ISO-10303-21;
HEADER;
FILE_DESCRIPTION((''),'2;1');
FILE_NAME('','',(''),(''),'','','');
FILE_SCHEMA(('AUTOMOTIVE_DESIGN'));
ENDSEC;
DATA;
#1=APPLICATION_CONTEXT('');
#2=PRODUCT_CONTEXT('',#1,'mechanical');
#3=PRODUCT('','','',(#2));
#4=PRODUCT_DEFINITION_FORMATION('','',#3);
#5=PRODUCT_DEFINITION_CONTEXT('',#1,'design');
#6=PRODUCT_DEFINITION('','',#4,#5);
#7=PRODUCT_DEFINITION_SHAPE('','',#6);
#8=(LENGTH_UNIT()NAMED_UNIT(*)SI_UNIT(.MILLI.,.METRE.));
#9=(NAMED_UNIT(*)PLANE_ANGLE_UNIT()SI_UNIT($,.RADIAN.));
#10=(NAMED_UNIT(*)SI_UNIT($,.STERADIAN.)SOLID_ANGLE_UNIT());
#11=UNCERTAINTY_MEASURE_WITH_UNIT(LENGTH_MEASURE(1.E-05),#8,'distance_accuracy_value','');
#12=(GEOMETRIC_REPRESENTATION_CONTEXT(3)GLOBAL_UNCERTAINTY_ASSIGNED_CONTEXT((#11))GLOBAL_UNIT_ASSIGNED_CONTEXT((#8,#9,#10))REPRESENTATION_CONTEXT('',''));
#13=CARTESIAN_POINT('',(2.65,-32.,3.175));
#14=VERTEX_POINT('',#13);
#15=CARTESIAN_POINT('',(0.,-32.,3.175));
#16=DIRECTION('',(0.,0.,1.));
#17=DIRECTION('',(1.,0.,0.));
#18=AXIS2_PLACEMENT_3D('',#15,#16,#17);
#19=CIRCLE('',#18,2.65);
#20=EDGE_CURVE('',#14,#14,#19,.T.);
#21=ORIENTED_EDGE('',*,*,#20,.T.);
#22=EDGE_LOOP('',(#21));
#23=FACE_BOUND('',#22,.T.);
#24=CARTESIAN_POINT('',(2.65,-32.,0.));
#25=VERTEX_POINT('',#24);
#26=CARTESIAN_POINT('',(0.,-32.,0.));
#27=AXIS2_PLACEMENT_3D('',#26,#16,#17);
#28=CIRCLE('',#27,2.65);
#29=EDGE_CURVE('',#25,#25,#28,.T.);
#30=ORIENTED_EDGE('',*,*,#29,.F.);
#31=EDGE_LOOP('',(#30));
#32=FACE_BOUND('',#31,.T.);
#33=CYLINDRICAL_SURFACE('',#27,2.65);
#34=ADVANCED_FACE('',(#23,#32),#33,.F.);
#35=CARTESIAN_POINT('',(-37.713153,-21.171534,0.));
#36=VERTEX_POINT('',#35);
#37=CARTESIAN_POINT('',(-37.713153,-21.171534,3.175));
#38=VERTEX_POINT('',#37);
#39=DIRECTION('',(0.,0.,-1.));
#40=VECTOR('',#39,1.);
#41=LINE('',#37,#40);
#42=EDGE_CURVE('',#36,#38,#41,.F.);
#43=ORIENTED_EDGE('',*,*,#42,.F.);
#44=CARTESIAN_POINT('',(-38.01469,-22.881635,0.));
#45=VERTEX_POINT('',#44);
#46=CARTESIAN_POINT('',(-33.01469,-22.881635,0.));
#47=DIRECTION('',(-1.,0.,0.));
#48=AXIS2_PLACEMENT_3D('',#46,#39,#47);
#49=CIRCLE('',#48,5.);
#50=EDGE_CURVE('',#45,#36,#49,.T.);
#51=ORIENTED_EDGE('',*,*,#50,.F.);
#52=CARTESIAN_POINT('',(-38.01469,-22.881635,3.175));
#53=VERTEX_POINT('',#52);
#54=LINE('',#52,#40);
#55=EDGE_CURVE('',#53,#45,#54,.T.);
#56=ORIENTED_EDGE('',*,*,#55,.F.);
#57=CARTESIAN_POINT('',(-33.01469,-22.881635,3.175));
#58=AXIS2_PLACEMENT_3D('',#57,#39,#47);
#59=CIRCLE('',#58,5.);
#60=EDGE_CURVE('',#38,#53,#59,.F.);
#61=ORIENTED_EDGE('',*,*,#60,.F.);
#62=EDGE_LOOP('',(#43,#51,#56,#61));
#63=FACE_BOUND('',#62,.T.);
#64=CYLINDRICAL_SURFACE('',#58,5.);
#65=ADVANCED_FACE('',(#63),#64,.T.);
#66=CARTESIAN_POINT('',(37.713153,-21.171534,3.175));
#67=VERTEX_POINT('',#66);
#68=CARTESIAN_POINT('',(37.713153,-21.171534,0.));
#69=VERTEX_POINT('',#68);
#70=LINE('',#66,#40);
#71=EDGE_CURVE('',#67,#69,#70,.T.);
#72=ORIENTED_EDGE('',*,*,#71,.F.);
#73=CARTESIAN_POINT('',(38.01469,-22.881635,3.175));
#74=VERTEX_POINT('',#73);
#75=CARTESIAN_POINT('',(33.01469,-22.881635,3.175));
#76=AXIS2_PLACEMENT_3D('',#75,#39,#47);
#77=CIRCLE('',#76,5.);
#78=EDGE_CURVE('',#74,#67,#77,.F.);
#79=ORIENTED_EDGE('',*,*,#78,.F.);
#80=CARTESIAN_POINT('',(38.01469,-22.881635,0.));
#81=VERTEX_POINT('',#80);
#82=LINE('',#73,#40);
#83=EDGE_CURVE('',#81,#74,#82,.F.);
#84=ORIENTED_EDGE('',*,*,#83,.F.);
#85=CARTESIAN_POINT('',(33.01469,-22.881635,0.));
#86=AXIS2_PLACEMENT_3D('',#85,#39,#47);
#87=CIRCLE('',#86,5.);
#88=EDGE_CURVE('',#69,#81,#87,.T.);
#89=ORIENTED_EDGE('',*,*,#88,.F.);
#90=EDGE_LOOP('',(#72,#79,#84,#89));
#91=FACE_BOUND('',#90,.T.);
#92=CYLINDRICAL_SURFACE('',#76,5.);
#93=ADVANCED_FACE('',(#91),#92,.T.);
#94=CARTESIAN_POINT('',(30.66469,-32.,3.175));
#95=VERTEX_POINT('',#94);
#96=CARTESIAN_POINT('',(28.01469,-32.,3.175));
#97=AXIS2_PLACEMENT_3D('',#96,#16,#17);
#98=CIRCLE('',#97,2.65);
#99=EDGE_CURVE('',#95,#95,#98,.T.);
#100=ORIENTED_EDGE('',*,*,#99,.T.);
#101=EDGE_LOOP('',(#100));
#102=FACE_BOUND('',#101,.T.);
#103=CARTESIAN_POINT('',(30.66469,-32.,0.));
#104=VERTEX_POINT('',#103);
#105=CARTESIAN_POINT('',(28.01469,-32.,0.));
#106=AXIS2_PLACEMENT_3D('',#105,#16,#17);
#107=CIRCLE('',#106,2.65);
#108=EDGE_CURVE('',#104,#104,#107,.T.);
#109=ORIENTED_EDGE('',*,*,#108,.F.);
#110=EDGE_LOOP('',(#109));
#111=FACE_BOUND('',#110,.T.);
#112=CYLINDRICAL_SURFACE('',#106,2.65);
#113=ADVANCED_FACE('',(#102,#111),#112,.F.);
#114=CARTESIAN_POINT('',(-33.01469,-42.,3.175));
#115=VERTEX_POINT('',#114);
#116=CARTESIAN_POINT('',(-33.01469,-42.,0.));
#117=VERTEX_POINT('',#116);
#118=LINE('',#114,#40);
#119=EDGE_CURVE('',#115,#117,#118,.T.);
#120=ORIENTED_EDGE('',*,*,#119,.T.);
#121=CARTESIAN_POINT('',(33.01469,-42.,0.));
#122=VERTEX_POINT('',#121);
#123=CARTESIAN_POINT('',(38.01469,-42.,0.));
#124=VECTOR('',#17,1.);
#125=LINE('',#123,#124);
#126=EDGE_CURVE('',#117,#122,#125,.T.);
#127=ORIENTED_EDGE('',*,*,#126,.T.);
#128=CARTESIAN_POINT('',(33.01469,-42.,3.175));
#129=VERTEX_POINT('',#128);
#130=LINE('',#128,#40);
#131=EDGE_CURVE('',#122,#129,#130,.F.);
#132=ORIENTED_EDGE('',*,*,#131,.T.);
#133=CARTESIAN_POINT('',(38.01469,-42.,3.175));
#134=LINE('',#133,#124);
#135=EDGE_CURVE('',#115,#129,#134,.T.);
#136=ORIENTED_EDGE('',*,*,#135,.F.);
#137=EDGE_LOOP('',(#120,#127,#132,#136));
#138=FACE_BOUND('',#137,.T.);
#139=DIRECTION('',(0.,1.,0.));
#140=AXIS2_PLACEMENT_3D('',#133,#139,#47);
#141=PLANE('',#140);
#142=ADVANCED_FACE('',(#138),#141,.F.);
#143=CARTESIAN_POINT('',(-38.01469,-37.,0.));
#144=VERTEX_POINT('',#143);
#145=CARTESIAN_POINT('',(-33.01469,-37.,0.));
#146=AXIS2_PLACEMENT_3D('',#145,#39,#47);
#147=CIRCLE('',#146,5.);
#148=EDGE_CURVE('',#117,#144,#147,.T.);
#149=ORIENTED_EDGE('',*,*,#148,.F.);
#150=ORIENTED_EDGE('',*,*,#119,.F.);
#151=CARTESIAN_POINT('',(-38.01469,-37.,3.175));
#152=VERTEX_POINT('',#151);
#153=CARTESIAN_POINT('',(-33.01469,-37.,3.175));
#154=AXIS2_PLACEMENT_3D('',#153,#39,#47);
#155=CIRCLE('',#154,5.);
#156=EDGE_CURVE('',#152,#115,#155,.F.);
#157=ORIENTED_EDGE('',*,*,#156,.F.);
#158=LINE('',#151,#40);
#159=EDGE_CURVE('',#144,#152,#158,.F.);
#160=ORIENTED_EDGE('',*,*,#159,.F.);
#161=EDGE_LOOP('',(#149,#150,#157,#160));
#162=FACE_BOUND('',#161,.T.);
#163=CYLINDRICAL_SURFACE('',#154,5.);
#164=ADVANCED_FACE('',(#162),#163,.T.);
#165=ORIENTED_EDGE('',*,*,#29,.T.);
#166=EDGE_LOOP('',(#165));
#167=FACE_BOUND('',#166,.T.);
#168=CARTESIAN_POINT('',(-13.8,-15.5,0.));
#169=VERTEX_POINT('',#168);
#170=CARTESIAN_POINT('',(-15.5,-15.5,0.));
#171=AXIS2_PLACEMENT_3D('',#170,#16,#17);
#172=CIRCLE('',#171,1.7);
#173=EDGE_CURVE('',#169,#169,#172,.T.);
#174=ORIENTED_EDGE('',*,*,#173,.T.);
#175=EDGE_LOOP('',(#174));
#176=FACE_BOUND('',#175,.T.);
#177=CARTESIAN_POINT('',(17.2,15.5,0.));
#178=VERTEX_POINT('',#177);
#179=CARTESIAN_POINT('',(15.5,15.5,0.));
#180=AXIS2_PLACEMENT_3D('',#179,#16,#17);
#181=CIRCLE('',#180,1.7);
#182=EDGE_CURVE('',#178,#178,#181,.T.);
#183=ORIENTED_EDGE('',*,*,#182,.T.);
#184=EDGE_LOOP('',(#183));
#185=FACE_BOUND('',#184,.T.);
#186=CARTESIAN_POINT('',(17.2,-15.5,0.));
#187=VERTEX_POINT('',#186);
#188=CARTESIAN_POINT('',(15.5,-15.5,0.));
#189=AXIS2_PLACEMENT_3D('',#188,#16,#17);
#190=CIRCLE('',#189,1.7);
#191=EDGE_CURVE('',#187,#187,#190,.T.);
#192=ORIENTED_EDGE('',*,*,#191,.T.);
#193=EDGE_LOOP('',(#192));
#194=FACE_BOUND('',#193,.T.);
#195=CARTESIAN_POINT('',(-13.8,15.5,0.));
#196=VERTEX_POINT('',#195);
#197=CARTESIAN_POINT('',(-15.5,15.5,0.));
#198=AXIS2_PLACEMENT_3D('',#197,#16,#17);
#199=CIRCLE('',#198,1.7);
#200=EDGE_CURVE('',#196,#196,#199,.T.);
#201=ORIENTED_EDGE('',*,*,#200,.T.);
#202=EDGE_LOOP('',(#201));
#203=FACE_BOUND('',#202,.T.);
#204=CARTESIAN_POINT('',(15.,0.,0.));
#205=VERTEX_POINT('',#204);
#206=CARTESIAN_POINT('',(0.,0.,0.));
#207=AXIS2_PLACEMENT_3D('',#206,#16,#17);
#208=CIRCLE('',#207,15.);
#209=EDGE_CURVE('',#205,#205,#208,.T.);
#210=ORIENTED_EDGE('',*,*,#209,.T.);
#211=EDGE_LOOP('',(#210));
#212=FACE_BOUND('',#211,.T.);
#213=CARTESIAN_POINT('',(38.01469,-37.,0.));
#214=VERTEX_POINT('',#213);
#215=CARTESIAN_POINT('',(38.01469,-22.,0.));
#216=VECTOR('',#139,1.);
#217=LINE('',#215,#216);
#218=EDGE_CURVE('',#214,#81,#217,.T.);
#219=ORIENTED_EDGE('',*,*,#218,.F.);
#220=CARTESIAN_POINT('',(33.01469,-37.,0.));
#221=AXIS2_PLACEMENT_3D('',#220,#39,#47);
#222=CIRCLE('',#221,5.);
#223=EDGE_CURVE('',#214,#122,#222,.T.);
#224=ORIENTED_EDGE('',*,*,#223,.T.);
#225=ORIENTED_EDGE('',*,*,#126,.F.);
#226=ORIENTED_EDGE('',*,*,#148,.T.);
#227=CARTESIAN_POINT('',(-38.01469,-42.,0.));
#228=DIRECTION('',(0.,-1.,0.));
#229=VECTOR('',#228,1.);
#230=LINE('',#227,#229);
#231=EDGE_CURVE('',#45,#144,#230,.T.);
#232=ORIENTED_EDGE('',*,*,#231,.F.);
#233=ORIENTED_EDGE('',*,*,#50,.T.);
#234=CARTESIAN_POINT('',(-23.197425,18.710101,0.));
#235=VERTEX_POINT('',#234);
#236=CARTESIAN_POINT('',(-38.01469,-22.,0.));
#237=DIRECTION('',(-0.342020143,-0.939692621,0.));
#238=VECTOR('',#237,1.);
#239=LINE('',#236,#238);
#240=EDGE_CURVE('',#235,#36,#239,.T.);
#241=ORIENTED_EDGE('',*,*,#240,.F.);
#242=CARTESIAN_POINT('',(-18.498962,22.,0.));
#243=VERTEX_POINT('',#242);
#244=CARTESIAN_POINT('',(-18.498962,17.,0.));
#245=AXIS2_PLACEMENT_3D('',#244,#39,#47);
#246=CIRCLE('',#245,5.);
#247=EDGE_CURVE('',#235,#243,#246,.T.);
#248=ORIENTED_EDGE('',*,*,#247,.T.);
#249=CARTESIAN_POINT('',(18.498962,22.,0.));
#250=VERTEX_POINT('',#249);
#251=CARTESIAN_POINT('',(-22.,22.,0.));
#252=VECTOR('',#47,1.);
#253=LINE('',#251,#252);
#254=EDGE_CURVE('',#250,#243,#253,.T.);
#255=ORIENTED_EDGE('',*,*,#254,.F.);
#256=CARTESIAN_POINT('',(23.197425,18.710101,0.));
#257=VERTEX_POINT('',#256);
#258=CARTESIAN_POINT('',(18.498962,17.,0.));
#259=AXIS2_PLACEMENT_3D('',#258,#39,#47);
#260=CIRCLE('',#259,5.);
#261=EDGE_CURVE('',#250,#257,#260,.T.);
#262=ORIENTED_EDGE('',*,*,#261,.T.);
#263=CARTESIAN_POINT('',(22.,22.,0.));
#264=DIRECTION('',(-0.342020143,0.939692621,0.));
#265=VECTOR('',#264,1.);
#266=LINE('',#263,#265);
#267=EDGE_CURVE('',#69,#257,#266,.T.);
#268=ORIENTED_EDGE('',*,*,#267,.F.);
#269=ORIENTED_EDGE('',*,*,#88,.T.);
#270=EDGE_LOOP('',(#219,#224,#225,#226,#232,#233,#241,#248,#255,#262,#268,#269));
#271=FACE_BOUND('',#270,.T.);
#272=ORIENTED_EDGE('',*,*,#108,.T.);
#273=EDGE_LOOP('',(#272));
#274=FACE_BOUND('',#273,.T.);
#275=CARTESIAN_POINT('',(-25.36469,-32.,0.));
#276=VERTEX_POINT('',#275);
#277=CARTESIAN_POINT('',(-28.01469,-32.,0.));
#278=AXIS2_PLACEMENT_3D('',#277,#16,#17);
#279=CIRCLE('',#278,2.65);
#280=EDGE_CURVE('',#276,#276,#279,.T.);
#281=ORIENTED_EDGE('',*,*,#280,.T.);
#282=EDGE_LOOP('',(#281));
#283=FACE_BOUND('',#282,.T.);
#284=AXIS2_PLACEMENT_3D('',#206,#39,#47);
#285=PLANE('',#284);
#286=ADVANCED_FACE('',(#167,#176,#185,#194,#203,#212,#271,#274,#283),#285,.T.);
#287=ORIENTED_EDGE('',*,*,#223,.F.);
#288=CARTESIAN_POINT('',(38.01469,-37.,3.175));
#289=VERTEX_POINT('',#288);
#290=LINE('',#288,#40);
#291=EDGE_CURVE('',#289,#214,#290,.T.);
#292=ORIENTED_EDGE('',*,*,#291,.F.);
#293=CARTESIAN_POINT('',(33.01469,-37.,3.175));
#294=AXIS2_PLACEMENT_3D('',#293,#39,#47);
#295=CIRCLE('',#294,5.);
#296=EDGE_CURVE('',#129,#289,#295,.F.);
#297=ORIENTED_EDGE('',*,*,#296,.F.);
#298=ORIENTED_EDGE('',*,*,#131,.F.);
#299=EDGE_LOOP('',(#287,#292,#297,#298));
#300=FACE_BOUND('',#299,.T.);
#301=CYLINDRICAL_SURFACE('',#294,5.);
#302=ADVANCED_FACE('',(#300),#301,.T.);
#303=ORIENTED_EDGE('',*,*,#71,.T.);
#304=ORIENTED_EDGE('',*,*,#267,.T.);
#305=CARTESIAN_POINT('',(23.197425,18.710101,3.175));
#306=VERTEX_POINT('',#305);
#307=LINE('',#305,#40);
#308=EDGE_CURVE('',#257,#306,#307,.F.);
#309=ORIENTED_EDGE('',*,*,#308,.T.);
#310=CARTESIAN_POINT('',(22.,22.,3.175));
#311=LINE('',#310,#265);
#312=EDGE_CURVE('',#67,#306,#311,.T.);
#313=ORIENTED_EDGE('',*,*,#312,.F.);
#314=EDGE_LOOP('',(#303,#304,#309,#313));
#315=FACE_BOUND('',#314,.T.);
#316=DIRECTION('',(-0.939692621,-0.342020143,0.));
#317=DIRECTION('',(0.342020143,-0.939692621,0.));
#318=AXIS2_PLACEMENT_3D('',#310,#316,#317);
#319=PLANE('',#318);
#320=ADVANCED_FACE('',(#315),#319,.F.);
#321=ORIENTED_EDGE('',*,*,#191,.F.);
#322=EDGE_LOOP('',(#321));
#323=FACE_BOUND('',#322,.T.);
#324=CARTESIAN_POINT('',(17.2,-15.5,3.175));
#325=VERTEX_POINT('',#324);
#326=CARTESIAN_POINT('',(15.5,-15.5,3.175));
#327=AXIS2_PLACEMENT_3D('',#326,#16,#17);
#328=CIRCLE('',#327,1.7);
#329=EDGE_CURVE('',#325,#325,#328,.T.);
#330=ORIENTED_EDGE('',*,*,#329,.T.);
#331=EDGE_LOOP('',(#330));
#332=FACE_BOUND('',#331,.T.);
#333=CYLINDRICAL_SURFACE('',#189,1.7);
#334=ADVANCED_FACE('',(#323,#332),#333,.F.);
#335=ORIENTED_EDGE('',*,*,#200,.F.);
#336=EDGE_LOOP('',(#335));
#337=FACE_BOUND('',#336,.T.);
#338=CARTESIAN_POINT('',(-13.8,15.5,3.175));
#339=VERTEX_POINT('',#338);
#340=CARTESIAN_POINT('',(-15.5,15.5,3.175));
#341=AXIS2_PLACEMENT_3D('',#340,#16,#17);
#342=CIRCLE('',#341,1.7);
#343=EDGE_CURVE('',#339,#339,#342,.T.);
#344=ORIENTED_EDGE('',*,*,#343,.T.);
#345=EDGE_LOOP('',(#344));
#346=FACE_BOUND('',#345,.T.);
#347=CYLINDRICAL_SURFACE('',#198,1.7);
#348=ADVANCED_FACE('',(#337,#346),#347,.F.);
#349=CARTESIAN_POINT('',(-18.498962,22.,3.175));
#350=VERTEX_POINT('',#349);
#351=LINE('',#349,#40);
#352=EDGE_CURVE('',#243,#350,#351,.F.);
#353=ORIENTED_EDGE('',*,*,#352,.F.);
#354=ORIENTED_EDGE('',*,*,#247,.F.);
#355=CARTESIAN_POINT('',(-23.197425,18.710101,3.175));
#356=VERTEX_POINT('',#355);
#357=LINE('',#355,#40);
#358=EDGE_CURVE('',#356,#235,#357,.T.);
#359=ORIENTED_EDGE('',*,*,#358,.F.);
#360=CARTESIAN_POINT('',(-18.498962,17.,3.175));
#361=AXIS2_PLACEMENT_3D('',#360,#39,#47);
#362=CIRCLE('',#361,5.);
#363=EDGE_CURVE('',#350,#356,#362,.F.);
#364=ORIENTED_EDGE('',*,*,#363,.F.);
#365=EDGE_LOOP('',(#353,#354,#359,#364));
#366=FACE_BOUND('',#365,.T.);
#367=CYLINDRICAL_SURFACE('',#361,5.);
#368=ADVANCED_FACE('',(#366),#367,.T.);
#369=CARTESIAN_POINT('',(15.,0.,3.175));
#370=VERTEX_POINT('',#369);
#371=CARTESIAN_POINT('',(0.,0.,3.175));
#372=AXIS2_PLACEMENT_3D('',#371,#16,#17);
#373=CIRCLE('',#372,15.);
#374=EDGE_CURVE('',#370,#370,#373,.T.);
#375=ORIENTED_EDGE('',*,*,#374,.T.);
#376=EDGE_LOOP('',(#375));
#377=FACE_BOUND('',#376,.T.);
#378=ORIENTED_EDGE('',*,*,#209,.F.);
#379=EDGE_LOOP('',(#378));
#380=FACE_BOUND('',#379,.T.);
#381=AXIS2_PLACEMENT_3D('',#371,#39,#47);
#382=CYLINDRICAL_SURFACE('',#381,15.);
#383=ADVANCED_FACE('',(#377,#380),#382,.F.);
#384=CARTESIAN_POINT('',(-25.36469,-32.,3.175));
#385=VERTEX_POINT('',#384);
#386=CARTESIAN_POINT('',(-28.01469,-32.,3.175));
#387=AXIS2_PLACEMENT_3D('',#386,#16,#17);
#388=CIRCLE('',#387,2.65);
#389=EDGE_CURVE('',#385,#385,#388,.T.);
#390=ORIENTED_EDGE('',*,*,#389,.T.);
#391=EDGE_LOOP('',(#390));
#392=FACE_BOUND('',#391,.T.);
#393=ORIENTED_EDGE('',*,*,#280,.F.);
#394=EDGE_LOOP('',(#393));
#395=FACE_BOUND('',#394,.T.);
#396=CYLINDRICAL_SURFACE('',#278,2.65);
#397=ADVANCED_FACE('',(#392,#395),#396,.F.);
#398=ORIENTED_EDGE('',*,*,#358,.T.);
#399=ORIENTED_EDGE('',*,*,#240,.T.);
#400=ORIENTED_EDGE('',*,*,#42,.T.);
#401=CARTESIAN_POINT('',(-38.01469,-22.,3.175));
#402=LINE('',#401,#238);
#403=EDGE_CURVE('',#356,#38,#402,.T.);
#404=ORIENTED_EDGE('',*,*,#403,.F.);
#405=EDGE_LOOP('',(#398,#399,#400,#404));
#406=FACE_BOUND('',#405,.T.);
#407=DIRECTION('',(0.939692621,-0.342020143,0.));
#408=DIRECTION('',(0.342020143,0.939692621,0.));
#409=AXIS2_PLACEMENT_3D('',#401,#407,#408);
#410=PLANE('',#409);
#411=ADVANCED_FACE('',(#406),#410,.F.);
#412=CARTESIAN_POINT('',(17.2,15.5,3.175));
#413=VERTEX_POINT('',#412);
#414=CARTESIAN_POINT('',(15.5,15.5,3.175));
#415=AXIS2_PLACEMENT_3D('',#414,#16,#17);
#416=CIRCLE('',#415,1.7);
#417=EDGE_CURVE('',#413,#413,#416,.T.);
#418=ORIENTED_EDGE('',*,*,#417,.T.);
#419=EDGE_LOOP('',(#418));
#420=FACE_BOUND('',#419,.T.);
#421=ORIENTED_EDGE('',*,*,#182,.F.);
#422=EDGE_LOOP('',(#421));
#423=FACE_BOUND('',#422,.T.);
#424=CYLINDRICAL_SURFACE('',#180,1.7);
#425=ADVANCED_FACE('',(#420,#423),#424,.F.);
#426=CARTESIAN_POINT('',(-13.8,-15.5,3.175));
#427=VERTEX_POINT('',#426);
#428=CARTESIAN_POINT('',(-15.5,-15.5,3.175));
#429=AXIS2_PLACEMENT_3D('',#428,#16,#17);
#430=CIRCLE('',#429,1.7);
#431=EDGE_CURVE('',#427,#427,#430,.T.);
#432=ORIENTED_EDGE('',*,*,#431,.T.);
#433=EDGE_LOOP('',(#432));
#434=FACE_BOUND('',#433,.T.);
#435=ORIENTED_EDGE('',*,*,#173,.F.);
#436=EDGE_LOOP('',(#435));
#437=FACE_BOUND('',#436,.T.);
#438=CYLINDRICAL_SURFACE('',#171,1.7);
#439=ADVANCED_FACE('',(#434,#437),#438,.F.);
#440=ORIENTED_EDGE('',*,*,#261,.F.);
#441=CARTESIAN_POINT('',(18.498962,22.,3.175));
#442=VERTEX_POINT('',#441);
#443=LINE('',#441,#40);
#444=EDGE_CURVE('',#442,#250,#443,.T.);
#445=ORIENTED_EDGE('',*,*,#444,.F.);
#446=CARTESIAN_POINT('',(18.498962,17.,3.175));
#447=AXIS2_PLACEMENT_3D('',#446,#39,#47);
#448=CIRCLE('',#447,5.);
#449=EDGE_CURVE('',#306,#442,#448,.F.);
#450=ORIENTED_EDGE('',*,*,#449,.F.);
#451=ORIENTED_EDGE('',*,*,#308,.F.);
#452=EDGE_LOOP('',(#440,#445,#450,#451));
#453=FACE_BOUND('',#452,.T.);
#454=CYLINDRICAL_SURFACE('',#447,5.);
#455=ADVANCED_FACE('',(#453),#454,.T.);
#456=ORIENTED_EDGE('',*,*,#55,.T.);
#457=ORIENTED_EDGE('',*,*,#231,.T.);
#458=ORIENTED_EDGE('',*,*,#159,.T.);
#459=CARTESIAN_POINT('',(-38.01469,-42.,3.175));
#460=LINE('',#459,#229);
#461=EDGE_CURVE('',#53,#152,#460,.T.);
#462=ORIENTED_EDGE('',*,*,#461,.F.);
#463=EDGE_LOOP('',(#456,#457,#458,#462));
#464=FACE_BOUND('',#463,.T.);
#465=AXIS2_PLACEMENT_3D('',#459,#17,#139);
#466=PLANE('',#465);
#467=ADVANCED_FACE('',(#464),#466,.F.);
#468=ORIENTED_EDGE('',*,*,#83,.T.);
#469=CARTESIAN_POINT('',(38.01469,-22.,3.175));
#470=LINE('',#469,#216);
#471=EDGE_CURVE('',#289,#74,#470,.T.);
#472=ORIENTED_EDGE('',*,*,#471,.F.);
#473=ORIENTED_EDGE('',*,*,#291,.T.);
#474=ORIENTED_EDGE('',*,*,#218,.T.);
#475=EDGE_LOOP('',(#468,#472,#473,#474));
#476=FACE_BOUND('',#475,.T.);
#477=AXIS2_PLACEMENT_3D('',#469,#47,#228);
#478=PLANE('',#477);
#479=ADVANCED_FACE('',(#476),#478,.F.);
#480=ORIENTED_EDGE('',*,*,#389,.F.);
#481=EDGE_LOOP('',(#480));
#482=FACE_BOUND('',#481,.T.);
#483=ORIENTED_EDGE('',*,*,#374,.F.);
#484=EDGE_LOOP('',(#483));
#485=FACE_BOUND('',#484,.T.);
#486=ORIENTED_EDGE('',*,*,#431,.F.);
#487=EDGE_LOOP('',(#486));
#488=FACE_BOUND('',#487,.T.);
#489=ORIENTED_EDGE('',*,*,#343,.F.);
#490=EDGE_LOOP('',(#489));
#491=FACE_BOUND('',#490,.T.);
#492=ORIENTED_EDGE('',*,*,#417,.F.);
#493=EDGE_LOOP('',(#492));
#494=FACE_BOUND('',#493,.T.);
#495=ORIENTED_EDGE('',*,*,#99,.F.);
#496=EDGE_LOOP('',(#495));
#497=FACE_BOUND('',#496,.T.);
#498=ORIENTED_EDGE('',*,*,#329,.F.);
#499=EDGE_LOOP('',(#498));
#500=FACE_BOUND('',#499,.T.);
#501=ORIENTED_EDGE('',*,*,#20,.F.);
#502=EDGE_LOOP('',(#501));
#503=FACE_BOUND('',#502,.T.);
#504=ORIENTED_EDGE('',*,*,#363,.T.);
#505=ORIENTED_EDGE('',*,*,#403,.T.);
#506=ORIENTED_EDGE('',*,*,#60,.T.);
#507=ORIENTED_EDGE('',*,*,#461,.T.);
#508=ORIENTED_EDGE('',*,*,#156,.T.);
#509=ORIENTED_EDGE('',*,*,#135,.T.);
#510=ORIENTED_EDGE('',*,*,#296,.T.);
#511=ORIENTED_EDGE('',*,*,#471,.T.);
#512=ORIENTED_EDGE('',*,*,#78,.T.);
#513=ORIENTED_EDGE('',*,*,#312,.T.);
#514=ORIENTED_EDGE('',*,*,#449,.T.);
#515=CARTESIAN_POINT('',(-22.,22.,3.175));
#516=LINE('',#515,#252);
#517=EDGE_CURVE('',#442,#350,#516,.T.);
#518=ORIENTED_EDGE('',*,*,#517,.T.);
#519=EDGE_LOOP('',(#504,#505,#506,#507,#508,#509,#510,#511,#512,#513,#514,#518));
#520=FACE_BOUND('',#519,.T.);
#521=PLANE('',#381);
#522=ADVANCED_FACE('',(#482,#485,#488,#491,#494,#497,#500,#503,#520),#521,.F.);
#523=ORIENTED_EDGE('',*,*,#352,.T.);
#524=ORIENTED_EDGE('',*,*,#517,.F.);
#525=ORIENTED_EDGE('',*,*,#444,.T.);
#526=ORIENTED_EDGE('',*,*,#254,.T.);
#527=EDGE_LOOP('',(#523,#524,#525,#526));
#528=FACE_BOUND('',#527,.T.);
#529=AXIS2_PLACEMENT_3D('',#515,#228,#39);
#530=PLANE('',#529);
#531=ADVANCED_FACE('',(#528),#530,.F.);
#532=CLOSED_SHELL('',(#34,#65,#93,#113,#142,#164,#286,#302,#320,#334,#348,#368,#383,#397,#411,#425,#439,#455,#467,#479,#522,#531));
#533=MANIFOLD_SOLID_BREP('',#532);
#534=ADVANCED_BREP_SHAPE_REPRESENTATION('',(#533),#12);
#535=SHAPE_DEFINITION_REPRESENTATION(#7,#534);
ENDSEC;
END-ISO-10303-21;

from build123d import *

# Parameters (mm, degrees)
SKETCH1_R           = 15
BOSS_EXTRUDE1_DEPTH = 3.175
SKETCH2_R           = 1.7
SKETCH2_R_2         = 2.65
CUT_EXTRUDE1_DEPTH  = 4.175
FILLET1_R           = 5


with BuildPart() as part:
    # Sketch1 → Boss-Extrude1 (new body)
    with BuildSketch(Plane.XY):
        Polygon((-22, 22), (22, 22), (38.014690308, -22), (38.014690308, -42), (-38.014690308, -42), (-38.014690308, -22), align=None)
        Circle(SKETCH1_R, mode=Mode.SUBTRACT)
    extrude(amount=BOSS_EXTRUDE1_DEPTH)

    # Sketch2 → Cut-Extrude1 (cut, through all)
    with BuildSketch(Plane.XY.offset(3.175)):
        with Locations((15.5, 15.5)):
            Circle(SKETCH2_R)
        with Locations((15.5, -15.5)):
            Circle(SKETCH2_R)
        with Locations((-15.5, -15.5)):
            Circle(SKETCH2_R)
        with Locations((-15.5, 15.5)):
            Circle(SKETCH2_R)
        with Locations((0, -32)):
            Circle(SKETCH2_R_2)
        with Locations((28.014690308, -32)):
            Circle(SKETCH2_R_2)
        with Locations((-28.014690308, -32)):
            Circle(SKETCH2_R_2)
    extrude(amount=-CUT_EXTRUDE1_DEPTH, mode=Mode.SUBTRACT)

    # Fillet1
    fillet1_edges = [part.edges().sort_by_distance(p)[0] for p in [
        (38.014690308, -22, 1.5875),
        (38.014690308, -42, 1.5875),
        (-38.014690308, -42, 1.5875),
        (-38.014690308, -22, 1.5875),
        (-22, 22, 1.5875),
        (22, 22, 1.5875),
    ]]
    fillet(fillet1_edges, radius=FILLET1_R)


solid = part.part
